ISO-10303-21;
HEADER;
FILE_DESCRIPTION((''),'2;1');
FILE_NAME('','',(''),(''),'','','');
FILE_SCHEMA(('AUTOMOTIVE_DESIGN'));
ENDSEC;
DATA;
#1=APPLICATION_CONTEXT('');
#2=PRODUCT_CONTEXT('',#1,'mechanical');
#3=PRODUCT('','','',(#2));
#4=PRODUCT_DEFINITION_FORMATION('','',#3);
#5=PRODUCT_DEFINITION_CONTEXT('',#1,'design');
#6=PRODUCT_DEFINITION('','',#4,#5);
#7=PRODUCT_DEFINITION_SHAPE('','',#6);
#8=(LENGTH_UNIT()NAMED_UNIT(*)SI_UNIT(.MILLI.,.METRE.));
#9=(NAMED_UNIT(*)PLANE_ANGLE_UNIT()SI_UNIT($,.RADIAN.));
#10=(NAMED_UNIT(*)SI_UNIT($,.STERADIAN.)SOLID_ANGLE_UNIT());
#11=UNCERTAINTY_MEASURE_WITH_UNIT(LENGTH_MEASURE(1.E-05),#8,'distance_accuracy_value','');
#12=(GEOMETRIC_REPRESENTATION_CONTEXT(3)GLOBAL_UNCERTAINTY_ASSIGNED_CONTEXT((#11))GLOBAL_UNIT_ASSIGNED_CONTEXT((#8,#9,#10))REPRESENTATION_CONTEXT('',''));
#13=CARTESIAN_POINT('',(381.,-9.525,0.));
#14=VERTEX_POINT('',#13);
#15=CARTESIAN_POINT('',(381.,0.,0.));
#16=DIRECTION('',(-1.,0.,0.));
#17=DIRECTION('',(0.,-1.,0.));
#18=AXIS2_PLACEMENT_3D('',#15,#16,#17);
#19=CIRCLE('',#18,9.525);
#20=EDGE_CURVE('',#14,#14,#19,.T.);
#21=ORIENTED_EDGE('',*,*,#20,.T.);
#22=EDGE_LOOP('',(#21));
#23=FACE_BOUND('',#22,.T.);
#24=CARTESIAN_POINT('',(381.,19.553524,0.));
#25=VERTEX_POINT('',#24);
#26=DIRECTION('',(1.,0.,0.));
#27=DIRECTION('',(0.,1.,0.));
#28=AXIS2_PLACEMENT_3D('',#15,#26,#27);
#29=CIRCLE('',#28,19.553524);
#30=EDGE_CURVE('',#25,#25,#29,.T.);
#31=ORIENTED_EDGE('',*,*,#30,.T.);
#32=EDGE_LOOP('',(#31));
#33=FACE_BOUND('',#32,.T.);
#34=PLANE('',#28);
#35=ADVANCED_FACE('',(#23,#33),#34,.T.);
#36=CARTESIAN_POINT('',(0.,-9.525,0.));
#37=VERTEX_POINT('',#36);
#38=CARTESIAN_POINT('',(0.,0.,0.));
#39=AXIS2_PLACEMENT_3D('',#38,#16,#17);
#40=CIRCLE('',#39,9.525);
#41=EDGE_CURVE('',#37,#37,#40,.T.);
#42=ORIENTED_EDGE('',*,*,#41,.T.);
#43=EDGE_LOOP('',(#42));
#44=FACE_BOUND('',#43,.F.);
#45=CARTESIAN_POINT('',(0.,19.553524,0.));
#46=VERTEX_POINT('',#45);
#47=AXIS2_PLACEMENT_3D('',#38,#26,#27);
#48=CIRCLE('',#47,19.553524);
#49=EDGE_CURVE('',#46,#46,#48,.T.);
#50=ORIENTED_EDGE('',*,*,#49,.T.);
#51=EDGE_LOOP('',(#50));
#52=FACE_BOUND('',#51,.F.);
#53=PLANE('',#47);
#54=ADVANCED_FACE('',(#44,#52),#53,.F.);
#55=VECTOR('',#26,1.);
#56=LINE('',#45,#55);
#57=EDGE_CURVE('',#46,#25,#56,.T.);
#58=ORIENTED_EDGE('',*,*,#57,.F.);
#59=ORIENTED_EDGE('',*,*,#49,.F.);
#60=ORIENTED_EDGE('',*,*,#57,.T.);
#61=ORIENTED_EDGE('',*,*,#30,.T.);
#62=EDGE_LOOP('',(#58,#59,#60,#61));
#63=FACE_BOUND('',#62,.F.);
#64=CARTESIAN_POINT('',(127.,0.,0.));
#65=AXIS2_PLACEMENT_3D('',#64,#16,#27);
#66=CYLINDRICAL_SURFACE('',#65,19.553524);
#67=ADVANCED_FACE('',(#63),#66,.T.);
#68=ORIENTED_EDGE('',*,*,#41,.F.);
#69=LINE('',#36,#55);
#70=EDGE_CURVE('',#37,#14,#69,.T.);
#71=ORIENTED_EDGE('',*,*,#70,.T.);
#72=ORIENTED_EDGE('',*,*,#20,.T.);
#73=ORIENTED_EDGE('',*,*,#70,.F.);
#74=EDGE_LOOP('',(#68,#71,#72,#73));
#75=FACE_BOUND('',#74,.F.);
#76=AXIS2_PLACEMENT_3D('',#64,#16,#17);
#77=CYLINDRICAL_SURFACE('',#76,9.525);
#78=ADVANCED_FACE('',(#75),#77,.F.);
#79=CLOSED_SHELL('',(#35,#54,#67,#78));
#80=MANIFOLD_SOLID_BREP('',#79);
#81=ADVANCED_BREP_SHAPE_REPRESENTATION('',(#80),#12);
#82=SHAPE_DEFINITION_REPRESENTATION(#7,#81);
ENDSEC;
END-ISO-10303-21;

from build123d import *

# Parameters (mm, degrees)
F0_R     = 19.5535243405
F1_DEPTH = 127
F3_D     = 19.05
F4_DEPTH = 254


with BuildPart() as f1:
    # F0 (on Right) → F1 (new body)
    with BuildSketch(Plane.YZ):
        Circle(F0_R)
    extrude(amount=F1_DEPTH)

    # F3 (through all)
    with Locations(Plane.YZ.offset(127)):
        with Locations((0, 0)):
            Hole(F3_D / 2)

    # F4 (add): a face of the model
    f4_faces = [f1.faces().sort_by_distance(p)[0] for p in [
        (127, -19.0004671542, 0),
    ]]
    extrude(f4_faces, amount=F4_DEPTH)


solid = f1.part
